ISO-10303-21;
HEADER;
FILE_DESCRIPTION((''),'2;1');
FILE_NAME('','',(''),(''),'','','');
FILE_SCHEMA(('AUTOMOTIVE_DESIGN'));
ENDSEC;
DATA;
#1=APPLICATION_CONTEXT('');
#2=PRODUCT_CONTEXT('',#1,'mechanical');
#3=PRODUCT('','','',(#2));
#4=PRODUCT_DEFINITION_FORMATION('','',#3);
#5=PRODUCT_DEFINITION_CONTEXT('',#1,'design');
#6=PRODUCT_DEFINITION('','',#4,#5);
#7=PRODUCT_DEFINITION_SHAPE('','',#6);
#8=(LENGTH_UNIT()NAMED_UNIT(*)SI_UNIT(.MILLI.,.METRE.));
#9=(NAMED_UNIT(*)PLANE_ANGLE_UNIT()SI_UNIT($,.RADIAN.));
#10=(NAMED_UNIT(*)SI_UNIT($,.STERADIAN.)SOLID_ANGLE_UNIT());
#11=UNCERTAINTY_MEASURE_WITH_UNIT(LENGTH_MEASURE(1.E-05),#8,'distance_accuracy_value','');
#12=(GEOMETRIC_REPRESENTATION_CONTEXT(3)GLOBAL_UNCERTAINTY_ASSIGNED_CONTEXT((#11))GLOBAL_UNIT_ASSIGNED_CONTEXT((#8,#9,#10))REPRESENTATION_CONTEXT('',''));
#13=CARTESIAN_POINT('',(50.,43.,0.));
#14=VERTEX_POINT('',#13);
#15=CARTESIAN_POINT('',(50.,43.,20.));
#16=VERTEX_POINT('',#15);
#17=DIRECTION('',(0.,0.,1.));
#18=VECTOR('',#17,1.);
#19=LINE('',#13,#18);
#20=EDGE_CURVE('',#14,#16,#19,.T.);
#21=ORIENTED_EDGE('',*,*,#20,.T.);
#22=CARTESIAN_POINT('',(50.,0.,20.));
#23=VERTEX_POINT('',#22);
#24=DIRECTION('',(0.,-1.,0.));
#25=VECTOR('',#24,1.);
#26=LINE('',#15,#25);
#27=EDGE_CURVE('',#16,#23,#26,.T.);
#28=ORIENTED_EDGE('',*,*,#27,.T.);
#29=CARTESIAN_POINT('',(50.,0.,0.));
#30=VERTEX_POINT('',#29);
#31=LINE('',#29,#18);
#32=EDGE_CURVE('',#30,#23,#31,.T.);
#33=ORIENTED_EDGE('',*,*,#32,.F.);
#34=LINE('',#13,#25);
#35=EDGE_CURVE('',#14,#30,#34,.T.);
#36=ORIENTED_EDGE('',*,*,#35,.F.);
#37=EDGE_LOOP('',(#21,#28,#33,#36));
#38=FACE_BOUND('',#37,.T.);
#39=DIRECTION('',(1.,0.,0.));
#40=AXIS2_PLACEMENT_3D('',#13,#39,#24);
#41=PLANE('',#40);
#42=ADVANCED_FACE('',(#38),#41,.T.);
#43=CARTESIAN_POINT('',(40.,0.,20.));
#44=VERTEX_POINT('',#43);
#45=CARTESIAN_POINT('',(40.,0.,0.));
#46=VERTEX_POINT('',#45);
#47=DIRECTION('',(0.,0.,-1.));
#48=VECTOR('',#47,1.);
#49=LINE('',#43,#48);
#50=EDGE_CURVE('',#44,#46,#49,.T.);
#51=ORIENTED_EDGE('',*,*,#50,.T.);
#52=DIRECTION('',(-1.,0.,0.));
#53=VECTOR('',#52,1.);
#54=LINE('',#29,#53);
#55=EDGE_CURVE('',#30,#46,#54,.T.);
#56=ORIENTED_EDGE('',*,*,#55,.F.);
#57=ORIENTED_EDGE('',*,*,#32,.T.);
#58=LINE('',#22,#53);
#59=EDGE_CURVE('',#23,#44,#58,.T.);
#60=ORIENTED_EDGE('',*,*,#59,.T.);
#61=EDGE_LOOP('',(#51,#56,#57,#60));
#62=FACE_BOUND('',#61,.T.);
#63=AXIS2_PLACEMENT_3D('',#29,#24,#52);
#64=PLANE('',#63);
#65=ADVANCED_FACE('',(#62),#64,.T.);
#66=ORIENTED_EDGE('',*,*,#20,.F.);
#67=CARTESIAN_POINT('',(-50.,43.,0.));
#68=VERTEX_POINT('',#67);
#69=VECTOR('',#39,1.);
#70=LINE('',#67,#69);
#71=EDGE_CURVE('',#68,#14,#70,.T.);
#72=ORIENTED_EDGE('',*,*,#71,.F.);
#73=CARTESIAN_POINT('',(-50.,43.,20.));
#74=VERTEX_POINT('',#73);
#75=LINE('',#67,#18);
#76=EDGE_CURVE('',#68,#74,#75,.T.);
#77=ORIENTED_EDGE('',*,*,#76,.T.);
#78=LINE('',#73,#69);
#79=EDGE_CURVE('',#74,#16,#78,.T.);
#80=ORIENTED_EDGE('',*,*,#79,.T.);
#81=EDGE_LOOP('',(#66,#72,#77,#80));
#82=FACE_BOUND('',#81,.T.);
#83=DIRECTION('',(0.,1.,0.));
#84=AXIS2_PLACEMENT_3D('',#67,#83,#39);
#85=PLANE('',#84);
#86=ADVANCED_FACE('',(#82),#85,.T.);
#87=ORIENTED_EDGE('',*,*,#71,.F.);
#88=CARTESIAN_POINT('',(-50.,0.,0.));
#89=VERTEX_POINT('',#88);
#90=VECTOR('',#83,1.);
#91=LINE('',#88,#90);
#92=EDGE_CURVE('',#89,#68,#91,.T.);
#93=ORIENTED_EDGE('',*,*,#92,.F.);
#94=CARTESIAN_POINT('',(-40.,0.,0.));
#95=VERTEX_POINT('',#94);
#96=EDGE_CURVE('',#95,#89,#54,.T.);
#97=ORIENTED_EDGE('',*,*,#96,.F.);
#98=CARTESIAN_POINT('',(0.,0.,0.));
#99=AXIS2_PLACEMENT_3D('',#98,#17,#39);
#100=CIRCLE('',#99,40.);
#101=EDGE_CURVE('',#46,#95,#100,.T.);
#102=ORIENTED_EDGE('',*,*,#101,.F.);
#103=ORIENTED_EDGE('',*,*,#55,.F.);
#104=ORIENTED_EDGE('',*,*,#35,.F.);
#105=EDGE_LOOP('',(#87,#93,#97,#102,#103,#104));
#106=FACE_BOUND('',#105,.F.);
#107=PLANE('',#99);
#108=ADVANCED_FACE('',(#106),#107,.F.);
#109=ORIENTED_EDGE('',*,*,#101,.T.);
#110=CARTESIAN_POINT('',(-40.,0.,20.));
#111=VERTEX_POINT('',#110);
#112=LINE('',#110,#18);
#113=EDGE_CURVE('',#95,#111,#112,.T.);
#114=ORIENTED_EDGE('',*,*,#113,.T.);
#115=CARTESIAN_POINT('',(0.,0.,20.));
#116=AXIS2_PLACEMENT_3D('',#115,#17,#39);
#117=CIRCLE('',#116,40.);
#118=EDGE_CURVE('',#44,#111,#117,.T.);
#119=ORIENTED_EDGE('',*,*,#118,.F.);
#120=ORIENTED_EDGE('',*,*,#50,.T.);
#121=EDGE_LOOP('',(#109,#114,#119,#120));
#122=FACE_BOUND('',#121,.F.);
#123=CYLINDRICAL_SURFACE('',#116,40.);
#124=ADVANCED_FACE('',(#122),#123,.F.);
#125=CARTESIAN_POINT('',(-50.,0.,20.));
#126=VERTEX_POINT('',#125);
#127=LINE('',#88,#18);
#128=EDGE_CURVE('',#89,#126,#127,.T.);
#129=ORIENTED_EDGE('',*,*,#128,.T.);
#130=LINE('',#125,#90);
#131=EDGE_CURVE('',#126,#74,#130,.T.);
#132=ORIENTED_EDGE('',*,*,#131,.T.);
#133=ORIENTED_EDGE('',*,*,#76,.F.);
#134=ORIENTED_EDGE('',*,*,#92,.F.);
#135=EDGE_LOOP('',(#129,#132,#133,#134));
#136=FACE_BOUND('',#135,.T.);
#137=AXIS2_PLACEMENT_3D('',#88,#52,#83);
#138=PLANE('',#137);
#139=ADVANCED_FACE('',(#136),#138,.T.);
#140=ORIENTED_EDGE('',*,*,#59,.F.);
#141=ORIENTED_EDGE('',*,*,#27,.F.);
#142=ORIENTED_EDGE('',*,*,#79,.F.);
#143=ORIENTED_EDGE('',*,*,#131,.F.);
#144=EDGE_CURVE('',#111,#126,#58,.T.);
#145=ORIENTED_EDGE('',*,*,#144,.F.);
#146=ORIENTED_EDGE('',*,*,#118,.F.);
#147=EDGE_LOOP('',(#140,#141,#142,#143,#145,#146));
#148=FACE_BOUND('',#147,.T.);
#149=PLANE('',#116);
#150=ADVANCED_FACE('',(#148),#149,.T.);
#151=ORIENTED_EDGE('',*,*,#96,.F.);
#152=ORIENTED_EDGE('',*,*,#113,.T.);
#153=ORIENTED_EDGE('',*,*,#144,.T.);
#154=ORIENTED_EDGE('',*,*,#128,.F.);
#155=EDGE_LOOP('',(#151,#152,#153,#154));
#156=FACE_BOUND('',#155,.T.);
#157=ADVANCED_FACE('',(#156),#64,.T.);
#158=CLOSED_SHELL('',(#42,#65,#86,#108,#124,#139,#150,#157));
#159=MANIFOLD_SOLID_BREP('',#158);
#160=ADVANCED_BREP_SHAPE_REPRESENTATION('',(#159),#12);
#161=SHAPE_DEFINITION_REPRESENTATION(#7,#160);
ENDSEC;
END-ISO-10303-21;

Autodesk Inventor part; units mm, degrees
ref_plane "YZ Plane" through (0, 0, 0) normal (1, 0, 0) x (0, 1, 0)
ref_plane "XZ Plane" through (0, 0, 0) normal (0, 1, 0) x (-1, 0, 0)
ref_plane "XY Plane" through (0, 0, 0) normal (0, 0, 1) x (1, 0, 0)
sketch "Sketch13" plane through (0, 0, 0) normal (0, 0, 1) x (1, 0, 0)
  line L0 (-50, 43) -> (50, 43)
  line L1 (50, 43) -> (50, 0)
  line L2 (50, 0) -> (-50, 0)
  line L3 (-50, 0) -> (-50, 43)
  line L4 (-50, 43) -> (50, 0) construction
  line L5 (50, 43) -> (-50, 0) construction
  point P0 (0, 0)
  point P1 (0, 21.5)
  dimension "d42" = 100
  dimension "d43" = 43
extrude "Extrusion11" add sketch "Sketch13" along normal blind 20
sketch "Sketch14" plane through (0, 0, 20) normal (0, 0, 1) x (1, 0, 0)
  circle A0 centre (0, 0) radius 40
  dimension "d46" = 80
extrude "Extrusion12" cut sketch "Sketch14" against normal blind 50
sketch "Sketch15" plane through (0, 0, 20) normal (0, 0, 1) x (1, 0, 0)
  point P0 (0, 0)
properties part number "pipe_holder_v02"
